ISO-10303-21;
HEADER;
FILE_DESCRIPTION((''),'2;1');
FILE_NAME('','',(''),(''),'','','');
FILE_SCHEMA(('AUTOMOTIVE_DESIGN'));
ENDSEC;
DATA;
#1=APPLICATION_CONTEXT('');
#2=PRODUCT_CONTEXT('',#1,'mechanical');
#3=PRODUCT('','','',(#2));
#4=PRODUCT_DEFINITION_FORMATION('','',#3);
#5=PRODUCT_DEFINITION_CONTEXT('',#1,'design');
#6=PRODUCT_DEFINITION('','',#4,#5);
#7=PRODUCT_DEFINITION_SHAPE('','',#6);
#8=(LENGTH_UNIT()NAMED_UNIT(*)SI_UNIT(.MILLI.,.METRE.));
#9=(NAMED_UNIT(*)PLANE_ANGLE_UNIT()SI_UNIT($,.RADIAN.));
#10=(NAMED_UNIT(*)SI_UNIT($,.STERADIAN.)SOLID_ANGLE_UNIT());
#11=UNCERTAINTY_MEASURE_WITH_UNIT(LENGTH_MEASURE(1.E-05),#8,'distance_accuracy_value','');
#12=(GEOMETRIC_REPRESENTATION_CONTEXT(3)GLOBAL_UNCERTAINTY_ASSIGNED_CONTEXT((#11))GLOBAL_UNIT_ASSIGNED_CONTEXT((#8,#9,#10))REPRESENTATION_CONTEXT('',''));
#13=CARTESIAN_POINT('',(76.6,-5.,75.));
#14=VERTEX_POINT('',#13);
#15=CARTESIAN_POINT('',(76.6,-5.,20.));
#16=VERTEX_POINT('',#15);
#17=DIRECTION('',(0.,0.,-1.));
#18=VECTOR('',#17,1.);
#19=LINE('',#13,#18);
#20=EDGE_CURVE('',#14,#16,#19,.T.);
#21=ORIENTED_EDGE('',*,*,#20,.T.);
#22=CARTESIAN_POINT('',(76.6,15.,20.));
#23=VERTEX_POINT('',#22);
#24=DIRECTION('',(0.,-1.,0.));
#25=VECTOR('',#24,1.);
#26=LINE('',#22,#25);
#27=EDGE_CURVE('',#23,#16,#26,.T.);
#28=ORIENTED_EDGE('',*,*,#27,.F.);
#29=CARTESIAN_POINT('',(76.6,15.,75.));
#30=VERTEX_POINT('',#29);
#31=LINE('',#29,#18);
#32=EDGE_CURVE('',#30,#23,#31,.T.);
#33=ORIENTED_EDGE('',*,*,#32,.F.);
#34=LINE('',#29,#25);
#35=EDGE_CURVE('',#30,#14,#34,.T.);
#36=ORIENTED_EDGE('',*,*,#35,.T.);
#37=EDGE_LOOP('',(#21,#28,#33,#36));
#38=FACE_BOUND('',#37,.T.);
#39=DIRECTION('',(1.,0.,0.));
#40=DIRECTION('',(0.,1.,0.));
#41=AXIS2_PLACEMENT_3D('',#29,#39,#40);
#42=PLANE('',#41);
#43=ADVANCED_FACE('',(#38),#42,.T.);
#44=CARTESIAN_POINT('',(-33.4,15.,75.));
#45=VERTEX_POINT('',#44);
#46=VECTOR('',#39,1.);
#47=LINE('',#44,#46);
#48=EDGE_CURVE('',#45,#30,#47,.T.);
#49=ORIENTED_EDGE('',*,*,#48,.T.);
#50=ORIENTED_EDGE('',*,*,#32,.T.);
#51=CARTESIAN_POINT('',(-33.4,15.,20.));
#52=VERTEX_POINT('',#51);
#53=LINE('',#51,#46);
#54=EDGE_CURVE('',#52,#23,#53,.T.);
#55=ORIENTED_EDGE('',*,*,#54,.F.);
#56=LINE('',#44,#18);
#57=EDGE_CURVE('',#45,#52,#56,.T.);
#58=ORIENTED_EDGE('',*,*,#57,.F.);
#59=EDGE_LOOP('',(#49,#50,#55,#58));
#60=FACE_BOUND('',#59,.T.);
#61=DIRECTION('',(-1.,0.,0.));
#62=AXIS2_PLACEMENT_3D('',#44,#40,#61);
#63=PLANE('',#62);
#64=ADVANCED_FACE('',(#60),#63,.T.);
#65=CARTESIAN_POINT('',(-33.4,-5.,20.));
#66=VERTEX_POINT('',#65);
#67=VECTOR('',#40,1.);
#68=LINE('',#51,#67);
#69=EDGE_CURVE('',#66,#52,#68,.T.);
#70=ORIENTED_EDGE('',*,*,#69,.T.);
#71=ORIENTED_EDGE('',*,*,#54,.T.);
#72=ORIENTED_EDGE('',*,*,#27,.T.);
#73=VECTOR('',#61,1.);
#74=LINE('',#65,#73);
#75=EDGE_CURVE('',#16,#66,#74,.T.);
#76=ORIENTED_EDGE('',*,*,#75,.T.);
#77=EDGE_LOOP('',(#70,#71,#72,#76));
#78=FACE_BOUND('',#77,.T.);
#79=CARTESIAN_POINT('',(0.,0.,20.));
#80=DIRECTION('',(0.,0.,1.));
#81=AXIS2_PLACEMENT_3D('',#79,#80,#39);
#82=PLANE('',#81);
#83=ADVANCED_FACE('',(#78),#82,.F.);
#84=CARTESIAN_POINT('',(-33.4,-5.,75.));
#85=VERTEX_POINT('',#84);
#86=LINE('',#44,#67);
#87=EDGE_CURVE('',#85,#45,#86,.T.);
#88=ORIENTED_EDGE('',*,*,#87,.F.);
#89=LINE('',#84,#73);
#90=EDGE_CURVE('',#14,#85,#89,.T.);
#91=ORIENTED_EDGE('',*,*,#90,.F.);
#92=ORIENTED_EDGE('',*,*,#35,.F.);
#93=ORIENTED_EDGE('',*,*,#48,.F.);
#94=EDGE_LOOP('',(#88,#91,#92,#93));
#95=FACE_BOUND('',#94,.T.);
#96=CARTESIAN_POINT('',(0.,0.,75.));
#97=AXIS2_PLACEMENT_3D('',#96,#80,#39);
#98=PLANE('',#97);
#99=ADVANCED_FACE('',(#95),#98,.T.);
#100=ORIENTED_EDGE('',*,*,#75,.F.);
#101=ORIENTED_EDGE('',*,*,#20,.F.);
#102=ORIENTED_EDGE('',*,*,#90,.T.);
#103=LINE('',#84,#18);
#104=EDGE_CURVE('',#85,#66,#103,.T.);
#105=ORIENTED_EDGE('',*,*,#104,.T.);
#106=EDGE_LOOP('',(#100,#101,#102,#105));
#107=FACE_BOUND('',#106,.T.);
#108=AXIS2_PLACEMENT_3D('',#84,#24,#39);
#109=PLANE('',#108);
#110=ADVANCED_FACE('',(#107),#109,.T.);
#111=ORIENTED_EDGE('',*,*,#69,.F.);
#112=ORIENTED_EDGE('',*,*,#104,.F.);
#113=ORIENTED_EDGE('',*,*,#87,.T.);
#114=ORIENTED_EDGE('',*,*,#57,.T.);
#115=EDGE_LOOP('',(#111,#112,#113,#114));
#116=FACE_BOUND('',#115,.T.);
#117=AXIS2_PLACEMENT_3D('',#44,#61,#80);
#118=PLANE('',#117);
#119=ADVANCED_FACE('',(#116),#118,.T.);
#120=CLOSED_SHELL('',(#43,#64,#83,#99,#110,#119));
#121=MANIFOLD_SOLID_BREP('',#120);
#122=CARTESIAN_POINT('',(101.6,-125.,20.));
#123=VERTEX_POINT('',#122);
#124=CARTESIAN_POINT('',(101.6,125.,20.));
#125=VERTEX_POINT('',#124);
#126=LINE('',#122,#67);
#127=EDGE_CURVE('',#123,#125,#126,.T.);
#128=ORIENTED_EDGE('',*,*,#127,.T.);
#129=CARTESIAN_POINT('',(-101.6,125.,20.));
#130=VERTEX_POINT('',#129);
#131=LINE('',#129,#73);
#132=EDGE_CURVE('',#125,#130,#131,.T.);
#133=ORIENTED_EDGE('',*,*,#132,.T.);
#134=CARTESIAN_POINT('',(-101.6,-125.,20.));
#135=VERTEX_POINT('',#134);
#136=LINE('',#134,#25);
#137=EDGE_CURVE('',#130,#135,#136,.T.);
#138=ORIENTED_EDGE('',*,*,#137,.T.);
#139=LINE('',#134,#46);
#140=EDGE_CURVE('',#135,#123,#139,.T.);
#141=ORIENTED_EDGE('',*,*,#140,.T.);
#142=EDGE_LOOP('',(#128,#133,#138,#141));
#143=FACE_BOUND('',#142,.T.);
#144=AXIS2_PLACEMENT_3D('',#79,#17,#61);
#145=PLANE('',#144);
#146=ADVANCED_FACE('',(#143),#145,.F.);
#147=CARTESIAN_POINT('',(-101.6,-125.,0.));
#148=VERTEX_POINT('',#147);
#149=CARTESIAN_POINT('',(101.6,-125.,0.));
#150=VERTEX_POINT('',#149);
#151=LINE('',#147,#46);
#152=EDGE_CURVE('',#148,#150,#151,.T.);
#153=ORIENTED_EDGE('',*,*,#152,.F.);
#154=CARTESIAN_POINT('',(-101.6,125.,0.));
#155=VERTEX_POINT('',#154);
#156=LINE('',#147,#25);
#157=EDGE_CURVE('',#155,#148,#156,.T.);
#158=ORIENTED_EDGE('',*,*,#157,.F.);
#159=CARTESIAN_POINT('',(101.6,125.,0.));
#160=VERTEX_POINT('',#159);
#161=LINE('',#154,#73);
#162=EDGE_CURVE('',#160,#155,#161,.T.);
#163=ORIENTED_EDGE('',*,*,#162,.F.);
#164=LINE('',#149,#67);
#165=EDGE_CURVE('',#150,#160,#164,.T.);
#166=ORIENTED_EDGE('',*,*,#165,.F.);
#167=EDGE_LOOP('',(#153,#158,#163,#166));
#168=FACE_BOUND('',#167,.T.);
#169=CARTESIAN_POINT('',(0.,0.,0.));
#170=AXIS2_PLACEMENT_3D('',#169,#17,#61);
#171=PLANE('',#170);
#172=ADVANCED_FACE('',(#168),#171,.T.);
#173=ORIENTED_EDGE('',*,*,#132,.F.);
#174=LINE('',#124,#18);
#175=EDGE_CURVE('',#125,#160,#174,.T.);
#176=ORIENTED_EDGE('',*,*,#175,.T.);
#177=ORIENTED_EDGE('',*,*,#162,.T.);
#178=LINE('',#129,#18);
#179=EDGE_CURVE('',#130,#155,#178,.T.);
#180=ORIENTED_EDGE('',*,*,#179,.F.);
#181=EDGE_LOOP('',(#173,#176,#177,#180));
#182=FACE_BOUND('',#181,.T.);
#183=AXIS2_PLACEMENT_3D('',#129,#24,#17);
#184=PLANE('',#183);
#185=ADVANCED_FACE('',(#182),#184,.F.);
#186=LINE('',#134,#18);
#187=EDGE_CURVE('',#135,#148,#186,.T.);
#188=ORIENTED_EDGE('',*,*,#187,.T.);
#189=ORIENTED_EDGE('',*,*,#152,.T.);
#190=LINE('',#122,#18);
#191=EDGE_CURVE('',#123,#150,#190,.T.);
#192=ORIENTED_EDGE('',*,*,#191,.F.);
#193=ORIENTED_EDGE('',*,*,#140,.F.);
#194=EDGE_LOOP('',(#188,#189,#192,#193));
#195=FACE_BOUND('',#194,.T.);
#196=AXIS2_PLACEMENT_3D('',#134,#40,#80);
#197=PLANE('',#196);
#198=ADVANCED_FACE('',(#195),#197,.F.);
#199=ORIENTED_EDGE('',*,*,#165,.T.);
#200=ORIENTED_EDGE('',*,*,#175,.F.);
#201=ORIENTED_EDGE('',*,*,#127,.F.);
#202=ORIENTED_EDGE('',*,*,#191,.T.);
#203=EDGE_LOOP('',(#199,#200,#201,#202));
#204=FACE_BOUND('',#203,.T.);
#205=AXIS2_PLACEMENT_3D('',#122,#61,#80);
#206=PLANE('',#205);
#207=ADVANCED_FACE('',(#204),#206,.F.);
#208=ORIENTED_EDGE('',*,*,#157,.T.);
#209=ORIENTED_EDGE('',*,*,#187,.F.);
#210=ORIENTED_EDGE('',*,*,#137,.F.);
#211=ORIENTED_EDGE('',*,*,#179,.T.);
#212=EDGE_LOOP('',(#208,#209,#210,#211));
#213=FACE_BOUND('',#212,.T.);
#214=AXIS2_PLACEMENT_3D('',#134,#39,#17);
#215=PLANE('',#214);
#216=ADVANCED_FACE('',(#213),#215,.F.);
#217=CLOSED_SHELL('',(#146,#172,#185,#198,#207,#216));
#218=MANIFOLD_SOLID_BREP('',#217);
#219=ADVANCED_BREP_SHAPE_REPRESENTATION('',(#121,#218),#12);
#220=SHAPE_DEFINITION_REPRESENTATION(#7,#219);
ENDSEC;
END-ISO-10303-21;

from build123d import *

# Parameters (mm, degrees)
SKETCH1_W           = 203.2
SKETCH1_H           = 250
BOSS_EXTRUDE1_DEPTH = 20
BOSS_EXTRUDE2_START = -20
SKETCH2_W           = 110
SKETCH2_H           = 20
BOSS_EXTRUDE2_DEPTH = 55


with BuildPart() as part:
    # Sketch1 → Boss-Extrude1 (new body)
    with BuildSketch(Plane.XY):
        Rectangle(SKETCH1_W, SKETCH1_H)
    extrude(amount=BOSS_EXTRUDE1_DEPTH)


with BuildPart() as body_2:
    # Sketch2 → Boss-Extrude2 (new body)
    with BuildSketch(Plane(origin=(0, 0, 0), x_dir=(-1, 0, 0), z_dir=(0, 0, -1)).offset(BOSS_EXTRUDE2_START)):
        with Locations((-21.6, 5)):
            Rectangle(SKETCH2_W, SKETCH2_H)
    extrude(amount=-BOSS_EXTRUDE2_DEPTH)


solid = Compound([part.part, body_2.part])
